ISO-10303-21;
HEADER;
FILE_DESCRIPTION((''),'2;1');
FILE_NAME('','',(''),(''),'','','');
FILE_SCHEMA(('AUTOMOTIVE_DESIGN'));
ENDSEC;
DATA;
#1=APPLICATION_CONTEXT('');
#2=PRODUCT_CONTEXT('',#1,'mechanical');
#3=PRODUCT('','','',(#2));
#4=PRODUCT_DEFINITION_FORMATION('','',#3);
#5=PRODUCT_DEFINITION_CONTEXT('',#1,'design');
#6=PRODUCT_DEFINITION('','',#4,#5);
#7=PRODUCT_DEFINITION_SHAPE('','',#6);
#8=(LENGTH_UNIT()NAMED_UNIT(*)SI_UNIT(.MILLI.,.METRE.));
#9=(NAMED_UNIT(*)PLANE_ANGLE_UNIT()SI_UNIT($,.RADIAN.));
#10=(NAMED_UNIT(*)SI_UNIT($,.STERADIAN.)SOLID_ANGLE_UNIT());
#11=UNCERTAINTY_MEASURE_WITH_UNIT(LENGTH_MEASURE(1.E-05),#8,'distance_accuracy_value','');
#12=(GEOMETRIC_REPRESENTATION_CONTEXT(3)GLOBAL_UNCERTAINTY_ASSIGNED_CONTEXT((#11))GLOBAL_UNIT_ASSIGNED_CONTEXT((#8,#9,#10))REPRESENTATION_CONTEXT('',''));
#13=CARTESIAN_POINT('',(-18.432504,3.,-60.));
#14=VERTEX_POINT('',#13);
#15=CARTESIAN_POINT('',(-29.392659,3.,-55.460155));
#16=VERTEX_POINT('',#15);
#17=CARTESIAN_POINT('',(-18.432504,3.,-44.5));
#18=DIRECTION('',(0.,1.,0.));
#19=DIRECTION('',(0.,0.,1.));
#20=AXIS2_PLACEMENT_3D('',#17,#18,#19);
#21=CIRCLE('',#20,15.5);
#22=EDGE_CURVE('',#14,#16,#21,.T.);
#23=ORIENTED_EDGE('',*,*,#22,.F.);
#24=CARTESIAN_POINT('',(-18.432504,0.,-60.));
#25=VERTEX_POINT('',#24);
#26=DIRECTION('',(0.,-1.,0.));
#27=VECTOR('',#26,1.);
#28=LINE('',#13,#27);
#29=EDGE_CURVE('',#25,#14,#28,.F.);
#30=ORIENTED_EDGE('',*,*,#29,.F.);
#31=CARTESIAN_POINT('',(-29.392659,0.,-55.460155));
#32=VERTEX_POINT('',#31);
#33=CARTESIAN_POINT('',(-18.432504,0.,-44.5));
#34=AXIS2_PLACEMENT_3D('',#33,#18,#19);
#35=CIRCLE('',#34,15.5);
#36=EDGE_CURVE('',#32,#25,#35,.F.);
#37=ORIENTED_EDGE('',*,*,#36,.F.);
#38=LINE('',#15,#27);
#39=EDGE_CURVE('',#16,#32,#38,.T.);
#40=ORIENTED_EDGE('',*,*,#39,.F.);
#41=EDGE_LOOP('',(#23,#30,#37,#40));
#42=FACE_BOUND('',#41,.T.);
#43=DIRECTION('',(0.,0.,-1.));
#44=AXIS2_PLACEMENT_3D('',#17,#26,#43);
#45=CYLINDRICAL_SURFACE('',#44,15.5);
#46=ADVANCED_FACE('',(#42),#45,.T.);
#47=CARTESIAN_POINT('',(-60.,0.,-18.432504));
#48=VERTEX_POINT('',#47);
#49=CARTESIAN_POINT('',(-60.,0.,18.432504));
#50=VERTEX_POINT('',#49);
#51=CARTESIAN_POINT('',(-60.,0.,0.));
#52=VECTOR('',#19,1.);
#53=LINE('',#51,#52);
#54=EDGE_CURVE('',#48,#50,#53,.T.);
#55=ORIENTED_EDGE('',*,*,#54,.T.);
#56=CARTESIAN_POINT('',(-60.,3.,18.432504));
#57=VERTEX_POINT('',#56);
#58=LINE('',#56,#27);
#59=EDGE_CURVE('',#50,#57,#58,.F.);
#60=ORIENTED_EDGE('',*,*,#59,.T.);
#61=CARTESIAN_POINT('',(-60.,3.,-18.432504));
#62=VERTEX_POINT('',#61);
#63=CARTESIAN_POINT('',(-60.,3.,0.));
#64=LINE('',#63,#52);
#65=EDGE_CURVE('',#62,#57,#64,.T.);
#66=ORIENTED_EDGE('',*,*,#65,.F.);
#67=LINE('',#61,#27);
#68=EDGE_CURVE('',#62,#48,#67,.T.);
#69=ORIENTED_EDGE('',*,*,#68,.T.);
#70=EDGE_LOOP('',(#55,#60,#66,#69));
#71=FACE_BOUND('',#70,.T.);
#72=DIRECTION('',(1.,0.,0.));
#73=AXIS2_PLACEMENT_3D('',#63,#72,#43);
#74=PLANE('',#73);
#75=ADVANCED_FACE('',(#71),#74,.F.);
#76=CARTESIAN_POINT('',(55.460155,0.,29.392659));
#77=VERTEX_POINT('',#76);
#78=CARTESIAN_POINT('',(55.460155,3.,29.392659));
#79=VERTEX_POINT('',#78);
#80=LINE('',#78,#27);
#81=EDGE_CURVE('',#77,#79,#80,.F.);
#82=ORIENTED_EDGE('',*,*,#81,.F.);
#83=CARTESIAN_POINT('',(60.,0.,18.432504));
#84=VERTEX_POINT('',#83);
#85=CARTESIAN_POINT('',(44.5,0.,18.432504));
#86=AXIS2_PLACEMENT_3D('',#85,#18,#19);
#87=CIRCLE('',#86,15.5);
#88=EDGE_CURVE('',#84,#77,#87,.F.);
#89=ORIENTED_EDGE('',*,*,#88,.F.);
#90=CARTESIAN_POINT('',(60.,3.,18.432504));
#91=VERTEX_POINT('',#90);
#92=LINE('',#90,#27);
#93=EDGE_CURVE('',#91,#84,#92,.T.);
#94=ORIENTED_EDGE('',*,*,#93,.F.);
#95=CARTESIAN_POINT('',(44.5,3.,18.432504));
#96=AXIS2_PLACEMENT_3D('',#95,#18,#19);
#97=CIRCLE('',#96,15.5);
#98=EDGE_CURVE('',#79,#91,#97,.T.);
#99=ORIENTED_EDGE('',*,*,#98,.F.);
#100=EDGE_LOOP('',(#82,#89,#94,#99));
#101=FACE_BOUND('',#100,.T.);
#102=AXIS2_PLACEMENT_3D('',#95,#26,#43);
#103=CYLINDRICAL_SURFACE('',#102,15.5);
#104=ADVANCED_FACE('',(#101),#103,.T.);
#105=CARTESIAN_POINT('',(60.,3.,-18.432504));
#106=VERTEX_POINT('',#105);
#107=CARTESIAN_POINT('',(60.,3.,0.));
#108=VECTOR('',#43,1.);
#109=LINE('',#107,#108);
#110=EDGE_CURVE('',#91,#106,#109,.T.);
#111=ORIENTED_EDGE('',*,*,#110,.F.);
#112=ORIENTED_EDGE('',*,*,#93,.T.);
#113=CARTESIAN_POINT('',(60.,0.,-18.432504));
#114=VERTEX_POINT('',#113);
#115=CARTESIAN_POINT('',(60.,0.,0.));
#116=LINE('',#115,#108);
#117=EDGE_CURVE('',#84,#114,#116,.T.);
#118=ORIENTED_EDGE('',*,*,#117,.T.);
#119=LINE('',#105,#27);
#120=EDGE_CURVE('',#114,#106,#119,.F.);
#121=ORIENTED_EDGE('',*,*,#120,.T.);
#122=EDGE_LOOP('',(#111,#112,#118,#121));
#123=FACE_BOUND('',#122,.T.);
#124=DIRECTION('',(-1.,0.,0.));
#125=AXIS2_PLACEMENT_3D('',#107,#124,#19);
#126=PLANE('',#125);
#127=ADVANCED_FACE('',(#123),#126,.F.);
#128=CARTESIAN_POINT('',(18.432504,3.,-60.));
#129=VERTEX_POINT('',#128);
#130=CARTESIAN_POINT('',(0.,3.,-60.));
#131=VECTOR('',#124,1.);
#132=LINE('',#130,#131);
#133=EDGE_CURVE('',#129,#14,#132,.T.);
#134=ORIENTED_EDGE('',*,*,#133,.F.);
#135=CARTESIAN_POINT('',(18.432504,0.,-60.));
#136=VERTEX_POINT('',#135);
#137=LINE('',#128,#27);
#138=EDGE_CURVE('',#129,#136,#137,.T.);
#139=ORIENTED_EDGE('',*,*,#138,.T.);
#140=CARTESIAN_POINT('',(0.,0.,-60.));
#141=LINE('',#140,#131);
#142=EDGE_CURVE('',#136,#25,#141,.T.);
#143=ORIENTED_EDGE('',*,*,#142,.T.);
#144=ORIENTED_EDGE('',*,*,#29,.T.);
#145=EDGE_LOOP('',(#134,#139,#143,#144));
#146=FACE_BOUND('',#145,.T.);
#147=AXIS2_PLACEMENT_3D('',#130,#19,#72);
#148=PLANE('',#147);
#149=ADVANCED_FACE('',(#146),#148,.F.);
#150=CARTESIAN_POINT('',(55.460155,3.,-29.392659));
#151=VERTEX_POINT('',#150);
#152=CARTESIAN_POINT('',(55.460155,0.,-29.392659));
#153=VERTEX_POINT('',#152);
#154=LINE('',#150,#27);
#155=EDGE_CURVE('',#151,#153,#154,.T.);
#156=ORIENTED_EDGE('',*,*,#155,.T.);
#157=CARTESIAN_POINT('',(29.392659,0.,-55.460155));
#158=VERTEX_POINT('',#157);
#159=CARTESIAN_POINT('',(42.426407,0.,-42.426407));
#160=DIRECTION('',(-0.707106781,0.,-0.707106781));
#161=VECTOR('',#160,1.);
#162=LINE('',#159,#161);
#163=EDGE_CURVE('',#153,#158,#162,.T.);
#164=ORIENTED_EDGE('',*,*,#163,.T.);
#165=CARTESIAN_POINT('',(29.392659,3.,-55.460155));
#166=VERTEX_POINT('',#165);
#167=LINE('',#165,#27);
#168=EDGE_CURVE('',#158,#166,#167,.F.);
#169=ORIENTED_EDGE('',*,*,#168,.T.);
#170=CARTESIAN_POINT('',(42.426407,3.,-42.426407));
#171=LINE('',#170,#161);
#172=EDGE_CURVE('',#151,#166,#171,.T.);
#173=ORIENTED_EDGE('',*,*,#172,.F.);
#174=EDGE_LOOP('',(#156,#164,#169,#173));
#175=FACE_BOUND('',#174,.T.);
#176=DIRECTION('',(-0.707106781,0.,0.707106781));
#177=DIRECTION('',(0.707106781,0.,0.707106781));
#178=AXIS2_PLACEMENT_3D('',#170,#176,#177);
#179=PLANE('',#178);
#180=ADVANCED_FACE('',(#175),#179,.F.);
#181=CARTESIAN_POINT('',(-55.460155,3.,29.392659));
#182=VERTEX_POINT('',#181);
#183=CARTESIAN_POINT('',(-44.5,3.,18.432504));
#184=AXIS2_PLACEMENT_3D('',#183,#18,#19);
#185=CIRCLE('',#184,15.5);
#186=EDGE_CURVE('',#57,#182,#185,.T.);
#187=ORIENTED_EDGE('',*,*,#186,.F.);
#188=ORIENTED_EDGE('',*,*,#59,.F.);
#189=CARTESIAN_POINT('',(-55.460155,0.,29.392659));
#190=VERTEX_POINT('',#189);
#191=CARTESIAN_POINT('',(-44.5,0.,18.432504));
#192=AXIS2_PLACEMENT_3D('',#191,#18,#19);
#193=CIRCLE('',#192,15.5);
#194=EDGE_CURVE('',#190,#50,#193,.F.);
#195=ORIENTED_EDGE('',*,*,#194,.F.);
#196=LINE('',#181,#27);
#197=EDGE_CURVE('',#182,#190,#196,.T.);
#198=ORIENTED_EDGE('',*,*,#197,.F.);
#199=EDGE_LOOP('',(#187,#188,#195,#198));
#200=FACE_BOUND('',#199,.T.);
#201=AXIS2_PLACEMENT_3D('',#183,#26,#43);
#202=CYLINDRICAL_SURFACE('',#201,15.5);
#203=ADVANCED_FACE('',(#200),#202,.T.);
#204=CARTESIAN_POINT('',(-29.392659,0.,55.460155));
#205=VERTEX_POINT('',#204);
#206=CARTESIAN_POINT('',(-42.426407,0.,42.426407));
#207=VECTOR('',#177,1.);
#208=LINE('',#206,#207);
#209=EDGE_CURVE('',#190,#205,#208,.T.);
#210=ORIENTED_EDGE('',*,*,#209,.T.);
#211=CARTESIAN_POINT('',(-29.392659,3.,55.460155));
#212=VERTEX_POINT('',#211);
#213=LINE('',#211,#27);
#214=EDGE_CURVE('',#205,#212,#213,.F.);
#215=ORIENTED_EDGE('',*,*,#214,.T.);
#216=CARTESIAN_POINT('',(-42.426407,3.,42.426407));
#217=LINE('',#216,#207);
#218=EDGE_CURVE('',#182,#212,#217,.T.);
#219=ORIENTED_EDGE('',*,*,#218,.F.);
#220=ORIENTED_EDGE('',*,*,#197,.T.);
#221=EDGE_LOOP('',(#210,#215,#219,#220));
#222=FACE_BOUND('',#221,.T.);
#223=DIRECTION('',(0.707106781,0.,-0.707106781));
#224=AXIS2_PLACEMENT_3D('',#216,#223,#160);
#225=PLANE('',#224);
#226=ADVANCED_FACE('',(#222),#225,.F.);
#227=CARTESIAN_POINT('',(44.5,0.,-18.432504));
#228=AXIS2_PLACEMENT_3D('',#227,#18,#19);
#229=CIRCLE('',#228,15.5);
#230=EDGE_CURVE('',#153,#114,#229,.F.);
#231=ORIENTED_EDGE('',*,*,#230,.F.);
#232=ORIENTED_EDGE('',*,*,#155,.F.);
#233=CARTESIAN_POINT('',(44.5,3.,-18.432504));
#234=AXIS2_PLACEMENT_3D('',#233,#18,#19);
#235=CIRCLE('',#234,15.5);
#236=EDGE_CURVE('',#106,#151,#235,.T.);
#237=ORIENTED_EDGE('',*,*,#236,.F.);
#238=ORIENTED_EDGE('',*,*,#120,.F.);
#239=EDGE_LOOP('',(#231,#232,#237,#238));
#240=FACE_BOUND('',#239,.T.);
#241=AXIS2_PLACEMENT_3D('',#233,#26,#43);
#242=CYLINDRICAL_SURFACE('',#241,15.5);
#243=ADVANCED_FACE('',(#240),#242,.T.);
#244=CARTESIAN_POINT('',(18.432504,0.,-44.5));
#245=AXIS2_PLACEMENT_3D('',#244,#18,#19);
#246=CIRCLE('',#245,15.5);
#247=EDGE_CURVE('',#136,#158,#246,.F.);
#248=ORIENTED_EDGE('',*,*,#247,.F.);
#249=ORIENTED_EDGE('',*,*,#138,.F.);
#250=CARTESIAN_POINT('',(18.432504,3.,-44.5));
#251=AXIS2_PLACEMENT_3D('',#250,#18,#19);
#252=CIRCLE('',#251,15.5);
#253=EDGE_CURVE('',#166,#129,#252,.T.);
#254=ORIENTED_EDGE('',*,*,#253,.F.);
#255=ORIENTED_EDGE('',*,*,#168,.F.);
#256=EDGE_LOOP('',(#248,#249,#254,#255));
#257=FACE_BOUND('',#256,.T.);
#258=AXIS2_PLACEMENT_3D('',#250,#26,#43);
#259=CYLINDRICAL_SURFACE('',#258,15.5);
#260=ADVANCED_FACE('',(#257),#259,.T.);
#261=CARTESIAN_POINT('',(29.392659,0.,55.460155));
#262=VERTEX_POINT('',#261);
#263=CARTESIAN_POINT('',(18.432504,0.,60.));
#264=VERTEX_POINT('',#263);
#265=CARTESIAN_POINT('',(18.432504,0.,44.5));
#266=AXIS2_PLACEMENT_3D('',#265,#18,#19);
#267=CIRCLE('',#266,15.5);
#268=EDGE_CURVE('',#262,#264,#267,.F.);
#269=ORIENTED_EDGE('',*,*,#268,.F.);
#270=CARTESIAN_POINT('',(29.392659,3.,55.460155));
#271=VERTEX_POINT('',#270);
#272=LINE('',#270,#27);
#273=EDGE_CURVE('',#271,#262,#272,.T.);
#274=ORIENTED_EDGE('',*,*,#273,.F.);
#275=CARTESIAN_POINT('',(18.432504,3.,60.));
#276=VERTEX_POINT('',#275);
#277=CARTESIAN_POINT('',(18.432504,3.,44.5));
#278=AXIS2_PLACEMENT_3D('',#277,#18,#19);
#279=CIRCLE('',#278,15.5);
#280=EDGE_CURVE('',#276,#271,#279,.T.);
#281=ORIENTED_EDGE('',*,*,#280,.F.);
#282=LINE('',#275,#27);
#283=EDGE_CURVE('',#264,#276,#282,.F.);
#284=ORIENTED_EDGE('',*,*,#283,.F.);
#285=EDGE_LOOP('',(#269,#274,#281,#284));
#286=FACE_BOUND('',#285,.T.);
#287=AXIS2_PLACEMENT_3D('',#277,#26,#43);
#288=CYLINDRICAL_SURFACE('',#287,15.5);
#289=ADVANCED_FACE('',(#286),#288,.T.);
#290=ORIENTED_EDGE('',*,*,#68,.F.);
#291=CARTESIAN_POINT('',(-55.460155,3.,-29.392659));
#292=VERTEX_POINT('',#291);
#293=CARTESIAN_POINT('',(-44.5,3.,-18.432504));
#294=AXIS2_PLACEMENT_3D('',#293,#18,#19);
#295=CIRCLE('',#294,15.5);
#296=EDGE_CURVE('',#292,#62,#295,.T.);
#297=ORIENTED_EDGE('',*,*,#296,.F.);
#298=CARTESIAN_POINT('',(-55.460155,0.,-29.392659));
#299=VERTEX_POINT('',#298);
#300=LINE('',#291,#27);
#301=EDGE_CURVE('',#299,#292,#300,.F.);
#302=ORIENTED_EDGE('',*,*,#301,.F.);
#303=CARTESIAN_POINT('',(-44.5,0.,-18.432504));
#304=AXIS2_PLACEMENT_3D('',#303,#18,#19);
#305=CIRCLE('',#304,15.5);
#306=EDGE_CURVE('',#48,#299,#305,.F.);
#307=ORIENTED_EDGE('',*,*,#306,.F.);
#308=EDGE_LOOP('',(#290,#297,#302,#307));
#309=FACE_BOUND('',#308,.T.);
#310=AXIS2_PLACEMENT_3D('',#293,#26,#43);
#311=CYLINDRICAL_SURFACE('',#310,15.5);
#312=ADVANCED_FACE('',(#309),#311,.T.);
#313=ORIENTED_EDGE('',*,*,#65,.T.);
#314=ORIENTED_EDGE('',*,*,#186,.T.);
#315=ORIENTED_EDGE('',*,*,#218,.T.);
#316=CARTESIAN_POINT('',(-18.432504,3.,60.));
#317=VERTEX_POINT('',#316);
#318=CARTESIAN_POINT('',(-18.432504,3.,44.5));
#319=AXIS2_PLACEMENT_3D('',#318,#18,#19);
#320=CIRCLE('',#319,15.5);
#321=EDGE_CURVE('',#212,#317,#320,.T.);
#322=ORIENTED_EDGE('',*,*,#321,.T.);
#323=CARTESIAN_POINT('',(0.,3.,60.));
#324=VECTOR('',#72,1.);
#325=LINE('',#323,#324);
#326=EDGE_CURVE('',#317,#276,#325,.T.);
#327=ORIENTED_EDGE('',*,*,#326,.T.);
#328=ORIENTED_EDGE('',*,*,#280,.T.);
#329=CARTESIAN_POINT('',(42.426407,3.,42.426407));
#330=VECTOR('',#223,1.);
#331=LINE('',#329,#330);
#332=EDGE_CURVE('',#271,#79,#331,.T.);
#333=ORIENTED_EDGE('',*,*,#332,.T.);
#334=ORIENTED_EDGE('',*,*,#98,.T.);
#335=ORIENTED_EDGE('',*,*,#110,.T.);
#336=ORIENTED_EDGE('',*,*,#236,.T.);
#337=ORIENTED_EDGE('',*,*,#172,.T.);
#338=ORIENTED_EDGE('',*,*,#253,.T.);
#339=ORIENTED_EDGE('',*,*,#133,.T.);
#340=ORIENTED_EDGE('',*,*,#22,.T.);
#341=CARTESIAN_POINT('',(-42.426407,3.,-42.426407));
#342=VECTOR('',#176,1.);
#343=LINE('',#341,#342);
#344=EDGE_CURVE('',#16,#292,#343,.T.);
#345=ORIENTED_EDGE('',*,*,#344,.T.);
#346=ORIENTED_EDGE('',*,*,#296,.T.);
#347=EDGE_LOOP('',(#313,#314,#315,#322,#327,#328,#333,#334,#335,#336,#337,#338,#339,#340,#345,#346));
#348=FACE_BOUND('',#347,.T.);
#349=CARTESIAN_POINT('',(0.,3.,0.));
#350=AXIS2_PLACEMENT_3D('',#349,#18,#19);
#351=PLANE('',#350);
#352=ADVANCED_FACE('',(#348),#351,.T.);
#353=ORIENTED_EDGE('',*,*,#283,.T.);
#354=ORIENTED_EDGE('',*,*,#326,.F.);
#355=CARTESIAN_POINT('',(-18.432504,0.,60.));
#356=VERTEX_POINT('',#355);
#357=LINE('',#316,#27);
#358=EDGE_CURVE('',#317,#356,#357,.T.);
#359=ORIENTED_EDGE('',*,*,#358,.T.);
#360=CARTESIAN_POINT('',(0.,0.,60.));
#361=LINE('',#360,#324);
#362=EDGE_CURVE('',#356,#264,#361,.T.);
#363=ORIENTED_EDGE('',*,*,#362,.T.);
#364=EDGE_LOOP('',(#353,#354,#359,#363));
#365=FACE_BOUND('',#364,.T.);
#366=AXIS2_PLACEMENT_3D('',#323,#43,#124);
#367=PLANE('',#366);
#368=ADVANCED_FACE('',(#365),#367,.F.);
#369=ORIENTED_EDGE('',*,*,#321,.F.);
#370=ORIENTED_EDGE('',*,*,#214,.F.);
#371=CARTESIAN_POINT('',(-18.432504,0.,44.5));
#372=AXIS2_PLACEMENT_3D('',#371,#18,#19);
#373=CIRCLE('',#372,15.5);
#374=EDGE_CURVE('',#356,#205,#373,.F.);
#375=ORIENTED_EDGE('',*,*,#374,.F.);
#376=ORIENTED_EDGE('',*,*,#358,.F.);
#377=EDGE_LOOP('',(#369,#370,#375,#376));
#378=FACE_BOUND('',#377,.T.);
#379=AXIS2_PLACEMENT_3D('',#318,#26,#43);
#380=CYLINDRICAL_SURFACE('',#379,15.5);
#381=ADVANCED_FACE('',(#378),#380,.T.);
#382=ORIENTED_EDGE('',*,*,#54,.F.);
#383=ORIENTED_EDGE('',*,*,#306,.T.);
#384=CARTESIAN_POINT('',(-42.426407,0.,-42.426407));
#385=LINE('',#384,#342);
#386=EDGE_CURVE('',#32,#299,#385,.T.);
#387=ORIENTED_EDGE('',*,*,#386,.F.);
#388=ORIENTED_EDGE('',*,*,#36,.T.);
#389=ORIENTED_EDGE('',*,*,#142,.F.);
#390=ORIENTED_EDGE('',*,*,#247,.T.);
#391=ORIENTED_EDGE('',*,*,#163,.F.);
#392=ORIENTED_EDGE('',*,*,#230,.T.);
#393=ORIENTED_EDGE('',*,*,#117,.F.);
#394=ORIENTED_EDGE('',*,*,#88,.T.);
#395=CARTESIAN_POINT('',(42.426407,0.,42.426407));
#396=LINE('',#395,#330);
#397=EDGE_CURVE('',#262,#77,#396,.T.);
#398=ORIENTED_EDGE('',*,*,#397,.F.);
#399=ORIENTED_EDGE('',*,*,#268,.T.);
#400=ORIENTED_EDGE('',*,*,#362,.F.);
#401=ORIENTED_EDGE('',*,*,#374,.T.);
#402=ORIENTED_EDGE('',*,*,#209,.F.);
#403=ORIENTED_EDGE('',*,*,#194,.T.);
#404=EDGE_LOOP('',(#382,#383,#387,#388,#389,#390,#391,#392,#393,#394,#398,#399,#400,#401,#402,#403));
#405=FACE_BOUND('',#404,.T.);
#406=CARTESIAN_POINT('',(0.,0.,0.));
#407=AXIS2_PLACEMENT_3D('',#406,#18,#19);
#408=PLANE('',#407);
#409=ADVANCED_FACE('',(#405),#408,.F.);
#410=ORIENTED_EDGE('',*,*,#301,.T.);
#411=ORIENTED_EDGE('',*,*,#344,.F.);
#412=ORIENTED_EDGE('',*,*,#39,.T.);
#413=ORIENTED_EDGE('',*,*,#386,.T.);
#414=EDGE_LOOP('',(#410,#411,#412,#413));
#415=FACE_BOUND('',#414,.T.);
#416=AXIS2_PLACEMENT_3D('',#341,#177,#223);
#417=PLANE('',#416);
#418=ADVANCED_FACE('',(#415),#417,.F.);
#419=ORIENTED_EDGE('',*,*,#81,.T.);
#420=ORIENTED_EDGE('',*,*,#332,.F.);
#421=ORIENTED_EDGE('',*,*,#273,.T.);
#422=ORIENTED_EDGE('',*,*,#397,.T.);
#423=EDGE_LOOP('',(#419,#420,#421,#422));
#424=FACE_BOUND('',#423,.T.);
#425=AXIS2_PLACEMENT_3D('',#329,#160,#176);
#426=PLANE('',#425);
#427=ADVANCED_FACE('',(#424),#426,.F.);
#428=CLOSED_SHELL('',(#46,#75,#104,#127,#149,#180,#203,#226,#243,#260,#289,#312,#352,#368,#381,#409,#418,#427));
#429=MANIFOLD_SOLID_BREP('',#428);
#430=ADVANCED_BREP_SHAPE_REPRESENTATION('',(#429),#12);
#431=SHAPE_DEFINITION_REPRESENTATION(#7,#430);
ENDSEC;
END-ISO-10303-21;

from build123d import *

# Parameters (mm, degrees)
EXTRUDE_1_DEPTH = 3
FILLET_1_R      = 15.5


with BuildPart() as part:
    # 草图1 → 凸台-拉伸1 (new body)
    with BuildSketch(Plane(origin=(0, 0, 0), x_dir=(1, 0, 0), z_dir=(0, 1, 0))):
        Polygon((24.852813742, 60), (-24.852813742, 60), (-60, 24.852813742), (-60, -24.852813742), (-24.852813742, -60), (24.852813742, -60), (60, -24.852813742), (60, 24.852813742), align=None)
    extrude(amount=EXTRUDE_1_DEPTH)

    # 圆角1
    fillet_1_edges = [part.edges().sort_by_distance(p)[0] for p in [
        (-60, 1.5, -24.852813742),
        (-24.852813742, 1.5, -60),
        (24.852813742, 1.5, -60),
        (60, 1.5, 24.852813742),
        (-24.852813742, 1.5, 60),
        (-60, 1.5, 24.852813742),
        (24.852813742, 1.5, 60),
        (60, 1.5, -24.852813742),
    ]]
    fillet(fillet_1_edges, radius=FILLET_1_R)


solid = part.part
